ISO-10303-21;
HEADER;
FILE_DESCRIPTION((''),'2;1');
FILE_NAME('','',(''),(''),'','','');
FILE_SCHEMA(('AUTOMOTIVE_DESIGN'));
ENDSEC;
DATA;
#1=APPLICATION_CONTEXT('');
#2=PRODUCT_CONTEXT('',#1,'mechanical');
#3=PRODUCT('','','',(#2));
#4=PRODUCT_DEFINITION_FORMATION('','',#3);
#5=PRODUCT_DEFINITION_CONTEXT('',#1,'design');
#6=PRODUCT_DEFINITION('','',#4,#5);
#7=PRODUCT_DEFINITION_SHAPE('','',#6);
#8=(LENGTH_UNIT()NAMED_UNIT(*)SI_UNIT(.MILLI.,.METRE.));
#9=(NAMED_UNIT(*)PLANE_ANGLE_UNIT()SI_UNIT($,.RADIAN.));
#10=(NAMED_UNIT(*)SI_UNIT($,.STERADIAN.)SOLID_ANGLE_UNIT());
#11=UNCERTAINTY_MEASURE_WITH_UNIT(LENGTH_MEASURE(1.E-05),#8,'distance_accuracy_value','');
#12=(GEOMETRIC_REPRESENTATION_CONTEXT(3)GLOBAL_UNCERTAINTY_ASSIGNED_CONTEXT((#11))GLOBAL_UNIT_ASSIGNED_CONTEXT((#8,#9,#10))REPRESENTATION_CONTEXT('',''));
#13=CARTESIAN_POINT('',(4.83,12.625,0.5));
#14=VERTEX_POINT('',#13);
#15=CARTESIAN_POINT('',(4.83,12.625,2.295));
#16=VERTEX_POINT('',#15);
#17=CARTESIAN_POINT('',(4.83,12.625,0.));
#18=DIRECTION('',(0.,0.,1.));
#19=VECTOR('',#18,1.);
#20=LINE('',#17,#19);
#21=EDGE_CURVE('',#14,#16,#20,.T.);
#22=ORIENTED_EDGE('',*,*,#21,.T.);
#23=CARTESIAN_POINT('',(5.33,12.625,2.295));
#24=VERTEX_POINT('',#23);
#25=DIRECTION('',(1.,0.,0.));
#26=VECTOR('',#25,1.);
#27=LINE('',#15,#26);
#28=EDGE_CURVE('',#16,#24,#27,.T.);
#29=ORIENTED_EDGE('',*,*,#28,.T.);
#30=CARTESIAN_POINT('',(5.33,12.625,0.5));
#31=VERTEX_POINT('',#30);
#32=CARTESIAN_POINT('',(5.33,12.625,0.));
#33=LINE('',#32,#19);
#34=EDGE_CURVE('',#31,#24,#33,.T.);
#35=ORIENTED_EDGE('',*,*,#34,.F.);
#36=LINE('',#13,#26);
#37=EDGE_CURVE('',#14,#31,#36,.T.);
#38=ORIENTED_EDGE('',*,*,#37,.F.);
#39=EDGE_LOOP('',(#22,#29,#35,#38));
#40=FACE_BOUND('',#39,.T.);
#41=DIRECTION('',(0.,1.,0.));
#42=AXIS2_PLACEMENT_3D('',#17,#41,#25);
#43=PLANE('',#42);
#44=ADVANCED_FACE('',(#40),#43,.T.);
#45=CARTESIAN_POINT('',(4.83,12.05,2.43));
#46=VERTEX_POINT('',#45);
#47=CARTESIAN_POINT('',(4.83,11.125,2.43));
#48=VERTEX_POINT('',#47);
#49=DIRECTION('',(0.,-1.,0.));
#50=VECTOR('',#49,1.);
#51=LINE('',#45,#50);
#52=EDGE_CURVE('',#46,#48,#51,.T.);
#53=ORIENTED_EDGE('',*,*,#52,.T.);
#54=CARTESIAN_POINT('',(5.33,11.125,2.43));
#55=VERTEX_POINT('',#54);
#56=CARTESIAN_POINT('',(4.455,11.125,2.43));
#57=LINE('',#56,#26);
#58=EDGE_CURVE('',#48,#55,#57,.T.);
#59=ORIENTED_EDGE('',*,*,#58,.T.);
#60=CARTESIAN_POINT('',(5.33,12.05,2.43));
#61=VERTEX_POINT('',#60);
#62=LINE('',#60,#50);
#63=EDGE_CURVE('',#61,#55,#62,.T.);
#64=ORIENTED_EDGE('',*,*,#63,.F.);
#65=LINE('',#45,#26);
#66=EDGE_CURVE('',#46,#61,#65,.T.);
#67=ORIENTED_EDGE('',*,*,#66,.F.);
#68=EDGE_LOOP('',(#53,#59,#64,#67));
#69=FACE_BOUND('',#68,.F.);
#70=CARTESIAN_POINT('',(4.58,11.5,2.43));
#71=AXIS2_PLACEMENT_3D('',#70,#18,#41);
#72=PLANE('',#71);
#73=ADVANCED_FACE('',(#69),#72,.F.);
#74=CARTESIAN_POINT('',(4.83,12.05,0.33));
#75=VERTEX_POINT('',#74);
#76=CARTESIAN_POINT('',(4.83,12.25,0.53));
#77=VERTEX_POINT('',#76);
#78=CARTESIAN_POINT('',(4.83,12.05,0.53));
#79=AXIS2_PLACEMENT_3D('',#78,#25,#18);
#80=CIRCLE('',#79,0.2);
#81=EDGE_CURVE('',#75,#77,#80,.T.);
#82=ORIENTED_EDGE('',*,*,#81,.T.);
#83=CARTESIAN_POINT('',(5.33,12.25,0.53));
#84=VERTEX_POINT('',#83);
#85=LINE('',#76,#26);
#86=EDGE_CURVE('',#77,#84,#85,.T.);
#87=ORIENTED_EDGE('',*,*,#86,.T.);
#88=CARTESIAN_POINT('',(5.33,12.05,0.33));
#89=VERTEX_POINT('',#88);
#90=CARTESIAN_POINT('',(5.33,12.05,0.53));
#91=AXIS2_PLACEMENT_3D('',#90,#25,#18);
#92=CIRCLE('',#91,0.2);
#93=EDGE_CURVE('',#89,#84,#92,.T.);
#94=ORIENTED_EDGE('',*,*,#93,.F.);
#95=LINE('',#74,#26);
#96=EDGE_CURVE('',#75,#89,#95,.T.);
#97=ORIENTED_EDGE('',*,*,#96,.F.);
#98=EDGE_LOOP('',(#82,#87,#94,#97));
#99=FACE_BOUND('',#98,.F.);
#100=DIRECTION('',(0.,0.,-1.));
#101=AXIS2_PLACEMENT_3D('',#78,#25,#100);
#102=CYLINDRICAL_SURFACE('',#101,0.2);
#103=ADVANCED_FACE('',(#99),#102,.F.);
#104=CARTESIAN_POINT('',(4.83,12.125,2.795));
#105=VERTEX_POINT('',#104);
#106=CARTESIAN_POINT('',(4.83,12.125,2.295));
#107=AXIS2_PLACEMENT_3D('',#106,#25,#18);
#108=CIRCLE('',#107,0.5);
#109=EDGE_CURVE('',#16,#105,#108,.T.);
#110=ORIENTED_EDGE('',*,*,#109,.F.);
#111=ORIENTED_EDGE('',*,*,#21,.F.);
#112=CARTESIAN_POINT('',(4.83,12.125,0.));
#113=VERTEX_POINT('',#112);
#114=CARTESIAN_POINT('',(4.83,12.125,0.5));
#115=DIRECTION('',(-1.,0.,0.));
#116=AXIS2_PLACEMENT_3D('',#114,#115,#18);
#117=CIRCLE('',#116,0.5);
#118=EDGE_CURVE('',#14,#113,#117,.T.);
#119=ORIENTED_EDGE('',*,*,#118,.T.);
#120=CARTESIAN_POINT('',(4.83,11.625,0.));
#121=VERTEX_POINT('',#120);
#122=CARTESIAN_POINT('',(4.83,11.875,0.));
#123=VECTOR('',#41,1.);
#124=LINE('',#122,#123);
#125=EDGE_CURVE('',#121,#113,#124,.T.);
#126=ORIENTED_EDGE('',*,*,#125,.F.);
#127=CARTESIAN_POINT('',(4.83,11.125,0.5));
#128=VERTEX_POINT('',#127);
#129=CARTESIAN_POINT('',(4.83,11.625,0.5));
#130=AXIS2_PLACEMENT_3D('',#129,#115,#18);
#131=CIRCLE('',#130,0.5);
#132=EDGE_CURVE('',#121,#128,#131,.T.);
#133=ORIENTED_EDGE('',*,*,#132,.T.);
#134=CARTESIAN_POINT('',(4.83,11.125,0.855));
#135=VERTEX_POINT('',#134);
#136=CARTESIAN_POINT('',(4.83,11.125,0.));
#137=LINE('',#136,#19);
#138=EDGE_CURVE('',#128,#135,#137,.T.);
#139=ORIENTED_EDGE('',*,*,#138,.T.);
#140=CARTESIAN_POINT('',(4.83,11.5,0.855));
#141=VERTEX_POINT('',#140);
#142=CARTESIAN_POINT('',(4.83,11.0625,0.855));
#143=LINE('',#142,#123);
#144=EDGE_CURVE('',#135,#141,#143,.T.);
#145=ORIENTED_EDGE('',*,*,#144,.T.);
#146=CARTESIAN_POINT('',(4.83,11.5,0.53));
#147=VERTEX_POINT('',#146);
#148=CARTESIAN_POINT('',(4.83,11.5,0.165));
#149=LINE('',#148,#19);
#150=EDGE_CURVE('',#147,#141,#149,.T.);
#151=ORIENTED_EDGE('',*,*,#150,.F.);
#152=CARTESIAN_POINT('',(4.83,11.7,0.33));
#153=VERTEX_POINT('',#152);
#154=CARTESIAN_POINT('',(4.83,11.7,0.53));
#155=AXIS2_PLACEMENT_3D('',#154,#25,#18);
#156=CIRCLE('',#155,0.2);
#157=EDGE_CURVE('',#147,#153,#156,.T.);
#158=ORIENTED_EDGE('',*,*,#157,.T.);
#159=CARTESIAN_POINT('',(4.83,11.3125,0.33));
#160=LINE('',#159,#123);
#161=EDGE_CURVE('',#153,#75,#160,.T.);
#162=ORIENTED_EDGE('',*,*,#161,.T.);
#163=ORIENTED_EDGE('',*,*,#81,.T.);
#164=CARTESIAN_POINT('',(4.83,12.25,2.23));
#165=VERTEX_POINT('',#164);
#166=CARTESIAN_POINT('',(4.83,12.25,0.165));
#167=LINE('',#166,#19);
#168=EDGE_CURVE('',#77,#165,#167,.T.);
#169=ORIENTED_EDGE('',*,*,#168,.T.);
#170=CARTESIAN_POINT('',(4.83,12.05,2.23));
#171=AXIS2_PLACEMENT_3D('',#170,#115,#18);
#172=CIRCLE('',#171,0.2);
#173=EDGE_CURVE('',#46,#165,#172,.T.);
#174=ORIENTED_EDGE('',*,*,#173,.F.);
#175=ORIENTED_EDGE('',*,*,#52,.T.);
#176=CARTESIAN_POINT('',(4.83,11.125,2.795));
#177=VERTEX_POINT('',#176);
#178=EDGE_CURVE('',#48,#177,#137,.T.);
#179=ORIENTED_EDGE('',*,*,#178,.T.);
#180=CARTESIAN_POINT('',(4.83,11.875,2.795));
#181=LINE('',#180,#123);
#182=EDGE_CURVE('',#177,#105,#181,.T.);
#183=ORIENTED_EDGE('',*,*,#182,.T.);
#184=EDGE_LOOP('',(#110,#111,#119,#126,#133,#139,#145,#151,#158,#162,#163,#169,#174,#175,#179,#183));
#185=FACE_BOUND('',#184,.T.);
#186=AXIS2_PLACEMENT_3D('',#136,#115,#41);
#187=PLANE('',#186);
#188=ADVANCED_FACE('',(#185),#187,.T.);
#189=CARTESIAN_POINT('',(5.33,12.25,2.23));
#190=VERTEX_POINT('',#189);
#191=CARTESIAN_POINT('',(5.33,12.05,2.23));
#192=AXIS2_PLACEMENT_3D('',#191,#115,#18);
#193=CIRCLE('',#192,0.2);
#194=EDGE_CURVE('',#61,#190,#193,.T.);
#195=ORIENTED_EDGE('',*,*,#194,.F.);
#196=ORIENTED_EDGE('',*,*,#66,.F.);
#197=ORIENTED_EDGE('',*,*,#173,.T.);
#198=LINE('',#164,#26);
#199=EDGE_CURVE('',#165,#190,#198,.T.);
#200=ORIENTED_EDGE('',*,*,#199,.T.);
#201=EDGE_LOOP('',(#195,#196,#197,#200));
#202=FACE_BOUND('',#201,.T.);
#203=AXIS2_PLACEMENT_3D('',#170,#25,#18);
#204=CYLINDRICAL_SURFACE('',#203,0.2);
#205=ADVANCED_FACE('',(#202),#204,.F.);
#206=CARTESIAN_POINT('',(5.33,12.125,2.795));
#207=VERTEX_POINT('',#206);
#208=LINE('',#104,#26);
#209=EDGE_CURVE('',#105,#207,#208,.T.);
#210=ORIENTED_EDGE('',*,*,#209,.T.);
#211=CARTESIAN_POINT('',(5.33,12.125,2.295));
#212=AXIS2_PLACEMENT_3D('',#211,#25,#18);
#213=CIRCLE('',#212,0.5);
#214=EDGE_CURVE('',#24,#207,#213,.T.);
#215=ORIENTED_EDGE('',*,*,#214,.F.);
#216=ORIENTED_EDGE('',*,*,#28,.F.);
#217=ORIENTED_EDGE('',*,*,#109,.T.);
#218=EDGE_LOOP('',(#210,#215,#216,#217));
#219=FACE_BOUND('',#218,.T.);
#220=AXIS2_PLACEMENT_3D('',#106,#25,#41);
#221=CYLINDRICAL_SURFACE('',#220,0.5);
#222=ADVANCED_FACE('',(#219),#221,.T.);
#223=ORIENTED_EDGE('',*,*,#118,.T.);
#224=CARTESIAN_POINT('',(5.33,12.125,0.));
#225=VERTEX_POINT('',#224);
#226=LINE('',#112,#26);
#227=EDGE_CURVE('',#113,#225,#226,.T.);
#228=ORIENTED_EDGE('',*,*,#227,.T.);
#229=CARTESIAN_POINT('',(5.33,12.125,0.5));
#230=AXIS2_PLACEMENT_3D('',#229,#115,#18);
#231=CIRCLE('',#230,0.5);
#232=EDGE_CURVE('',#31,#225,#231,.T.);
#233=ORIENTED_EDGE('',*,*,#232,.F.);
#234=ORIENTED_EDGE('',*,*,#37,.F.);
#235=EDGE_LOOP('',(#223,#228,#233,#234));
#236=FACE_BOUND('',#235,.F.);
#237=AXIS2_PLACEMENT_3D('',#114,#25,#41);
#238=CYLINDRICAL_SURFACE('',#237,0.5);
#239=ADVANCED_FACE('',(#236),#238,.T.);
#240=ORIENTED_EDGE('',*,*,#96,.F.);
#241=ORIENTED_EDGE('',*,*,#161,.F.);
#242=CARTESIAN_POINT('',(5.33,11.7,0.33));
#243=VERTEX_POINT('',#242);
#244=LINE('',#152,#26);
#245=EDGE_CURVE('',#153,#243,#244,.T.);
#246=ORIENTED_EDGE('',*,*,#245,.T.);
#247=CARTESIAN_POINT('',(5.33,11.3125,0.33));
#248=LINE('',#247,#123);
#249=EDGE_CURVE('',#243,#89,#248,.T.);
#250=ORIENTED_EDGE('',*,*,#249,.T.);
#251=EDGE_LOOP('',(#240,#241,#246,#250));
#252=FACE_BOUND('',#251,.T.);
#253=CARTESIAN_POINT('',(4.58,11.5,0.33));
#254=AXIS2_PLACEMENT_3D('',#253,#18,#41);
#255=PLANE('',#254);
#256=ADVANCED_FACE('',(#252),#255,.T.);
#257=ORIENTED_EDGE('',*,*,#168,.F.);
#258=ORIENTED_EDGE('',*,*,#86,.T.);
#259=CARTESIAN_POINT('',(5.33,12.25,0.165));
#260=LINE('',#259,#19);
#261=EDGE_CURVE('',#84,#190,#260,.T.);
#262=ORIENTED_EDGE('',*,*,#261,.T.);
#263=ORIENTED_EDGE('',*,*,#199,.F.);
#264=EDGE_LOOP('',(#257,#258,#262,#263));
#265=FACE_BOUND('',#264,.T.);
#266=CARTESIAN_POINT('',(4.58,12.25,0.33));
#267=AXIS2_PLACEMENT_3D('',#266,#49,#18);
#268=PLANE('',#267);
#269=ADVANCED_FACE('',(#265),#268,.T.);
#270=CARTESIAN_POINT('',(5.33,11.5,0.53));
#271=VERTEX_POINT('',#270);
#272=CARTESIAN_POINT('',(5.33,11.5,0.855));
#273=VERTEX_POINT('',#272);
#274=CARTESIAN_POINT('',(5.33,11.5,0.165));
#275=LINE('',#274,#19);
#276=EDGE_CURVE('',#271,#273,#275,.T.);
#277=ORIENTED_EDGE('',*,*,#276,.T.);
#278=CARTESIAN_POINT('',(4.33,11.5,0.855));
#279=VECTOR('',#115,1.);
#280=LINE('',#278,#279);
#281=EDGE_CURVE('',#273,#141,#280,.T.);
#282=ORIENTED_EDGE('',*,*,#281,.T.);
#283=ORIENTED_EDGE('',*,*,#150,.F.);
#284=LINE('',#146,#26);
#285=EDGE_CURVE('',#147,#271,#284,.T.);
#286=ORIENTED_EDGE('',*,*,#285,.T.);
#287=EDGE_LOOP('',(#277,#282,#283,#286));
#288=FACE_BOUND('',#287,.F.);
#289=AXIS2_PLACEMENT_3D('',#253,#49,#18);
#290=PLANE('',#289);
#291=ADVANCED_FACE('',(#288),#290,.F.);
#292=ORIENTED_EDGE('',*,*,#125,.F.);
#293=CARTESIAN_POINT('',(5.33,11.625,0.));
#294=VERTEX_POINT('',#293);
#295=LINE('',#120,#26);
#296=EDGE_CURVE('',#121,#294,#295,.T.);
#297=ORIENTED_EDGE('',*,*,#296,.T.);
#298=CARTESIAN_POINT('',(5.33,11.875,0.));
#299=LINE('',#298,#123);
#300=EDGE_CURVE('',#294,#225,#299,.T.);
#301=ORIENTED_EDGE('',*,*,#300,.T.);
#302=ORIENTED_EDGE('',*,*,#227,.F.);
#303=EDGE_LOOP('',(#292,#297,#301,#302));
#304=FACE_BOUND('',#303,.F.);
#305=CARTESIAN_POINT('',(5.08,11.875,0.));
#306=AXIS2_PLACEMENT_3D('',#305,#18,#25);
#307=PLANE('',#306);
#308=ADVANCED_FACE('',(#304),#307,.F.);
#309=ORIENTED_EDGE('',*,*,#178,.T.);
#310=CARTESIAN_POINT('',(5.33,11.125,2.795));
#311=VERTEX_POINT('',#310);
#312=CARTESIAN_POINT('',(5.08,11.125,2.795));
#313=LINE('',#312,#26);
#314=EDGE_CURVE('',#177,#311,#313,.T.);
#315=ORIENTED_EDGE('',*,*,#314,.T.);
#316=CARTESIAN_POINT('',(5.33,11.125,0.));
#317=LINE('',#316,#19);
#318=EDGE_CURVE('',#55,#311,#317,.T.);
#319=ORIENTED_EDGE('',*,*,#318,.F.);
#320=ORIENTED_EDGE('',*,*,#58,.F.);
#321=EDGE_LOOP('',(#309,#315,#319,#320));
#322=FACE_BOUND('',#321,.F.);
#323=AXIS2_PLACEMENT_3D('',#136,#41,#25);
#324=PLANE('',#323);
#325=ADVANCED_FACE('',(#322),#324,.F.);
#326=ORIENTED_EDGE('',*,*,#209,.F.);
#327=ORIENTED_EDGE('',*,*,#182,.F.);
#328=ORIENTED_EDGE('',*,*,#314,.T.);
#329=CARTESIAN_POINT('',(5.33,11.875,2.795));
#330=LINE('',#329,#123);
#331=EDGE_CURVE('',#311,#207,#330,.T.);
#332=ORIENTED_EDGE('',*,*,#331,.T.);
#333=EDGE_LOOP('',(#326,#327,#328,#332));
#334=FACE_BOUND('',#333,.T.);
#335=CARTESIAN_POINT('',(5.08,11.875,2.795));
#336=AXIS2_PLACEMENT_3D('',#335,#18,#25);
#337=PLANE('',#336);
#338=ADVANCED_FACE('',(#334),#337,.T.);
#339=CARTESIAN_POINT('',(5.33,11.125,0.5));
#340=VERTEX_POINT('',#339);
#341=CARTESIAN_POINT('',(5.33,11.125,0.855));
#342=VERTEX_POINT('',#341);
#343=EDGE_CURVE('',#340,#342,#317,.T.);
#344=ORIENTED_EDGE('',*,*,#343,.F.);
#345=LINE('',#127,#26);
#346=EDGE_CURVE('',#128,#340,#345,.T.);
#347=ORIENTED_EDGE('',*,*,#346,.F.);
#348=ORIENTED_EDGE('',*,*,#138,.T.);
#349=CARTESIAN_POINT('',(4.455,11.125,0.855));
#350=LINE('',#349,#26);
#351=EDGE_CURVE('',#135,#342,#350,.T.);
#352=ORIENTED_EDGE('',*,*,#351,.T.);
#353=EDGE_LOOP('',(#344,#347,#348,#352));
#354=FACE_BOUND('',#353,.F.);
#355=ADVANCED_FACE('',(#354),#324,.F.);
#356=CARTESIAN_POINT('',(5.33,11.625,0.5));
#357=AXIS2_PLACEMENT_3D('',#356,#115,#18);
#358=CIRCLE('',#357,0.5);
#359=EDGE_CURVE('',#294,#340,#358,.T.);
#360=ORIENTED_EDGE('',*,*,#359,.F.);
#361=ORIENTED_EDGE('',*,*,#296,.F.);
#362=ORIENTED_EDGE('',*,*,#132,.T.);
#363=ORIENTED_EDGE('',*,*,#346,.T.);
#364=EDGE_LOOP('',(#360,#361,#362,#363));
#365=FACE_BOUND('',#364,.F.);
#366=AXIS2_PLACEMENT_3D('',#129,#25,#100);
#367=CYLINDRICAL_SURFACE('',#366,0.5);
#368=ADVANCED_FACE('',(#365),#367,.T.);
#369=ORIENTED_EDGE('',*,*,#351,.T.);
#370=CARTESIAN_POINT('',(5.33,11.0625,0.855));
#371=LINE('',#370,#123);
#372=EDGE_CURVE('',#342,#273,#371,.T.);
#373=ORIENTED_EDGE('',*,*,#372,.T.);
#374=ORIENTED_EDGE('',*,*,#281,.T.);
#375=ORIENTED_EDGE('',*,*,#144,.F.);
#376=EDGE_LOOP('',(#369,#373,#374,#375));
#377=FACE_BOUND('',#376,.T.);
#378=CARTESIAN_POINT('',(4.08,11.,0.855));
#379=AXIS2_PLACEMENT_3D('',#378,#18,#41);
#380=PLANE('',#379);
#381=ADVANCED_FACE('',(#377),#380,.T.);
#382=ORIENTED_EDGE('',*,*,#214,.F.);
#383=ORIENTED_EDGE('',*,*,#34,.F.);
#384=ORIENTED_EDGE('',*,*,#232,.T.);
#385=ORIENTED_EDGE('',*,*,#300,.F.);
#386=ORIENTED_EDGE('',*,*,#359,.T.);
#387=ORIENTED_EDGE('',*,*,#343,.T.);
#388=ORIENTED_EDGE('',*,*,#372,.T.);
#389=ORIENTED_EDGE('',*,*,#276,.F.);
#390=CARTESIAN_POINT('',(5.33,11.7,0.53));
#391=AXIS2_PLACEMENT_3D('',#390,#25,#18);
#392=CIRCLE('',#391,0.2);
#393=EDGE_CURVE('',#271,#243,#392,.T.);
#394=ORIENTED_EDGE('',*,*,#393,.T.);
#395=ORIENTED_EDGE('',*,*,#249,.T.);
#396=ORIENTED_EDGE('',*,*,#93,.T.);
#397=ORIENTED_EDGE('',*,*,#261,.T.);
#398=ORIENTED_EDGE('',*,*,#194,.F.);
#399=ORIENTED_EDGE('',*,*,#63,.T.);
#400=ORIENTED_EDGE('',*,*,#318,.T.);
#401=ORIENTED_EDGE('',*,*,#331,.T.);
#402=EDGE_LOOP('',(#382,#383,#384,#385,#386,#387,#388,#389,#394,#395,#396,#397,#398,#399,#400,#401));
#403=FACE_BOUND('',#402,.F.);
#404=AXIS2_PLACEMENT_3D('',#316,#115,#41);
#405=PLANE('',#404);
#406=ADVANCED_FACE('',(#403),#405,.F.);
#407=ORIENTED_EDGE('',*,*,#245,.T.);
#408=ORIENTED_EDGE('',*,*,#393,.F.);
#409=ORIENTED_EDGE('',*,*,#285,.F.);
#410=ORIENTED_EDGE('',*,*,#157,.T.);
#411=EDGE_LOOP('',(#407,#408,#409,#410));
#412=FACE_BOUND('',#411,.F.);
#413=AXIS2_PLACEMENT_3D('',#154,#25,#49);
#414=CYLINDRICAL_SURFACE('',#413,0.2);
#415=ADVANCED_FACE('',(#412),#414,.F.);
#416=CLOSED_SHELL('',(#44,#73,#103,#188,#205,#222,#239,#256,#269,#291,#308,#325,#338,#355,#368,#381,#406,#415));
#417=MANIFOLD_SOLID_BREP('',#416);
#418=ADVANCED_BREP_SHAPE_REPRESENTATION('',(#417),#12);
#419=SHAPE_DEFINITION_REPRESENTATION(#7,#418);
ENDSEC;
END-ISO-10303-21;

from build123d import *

# Parameters (mm, degrees)
BOX071_W     = 0.5
BOX071_H     = 1.5
BOX071_DEPTH = 2.795
FILLET129_R  = 0.5
FILLET138_R  = 0.5
FILLET125_R  = 0.5
BOX073_W     = 0.75
BOX073_H     = 2.1
BOX073_DEPTH = 1
FILLET121_R  = 0.2
FILLET130_R  = 0.2
FILLET120_R  = 0.2
FILLET122_R  = 0.2
BOX076_W     = 1
BOX076_H     = 1.575
BOX076_DEPTH = 3


with BuildPart() as part:
    # Box071 → Box071 (join)
    with BuildSketch(Plane(origin=(-0.25, 11.125, 0), x_dir=(1, 0, 0), z_dir=(0, 0, 1))):
        with Locations((0.25, 0.75)):
            Rectangle(BOX071_W, BOX071_H)
    extrude(amount=BOX071_DEPTH)

    # Fillet129
    fillet129_edges = [part.edges().sort_by_distance(p)[0] for p in [
        (0, 12.625, 0),
    ]]
    fillet(fillet129_edges, radius=FILLET129_R)

    # Fillet138
    fillet138_edges = [part.edges().sort_by_distance(p)[0] for p in [
        (0, 12.625, 2.795),
    ]]
    fillet(fillet138_edges, radius=FILLET138_R)

    # Fillet125
    fillet125_edges = [part.edges().sort_by_distance(p)[0] for p in [
        (0, 11.125, 0),
    ]]
    fillet(fillet125_edges, radius=FILLET125_R)

    # Box073 → Box073 (cut)
    with BuildSketch(Plane(origin=(-0.5, 11.5, 0.33), x_dir=(0, 1, 0), z_dir=(1, 0, 0))):
        with Locations((0.375, 1.05)):
            Rectangle(BOX073_W, BOX073_H)
    extrude(amount=BOX073_DEPTH, mode=Mode.SUBTRACT)

    # Fillet121
    fillet121_edges = [part.edges().sort_by_distance(p)[0] for p in [
        (0, 11.5, 0.33),
    ]]
    fillet(fillet121_edges, radius=FILLET121_R)

    # Fillet130
    fillet130_edges = [part.edges().sort_by_distance(p)[0] for p in [
        (0, 12.25, 0.33),
    ]]
    fillet(fillet130_edges, radius=FILLET130_R)

    # Fillet120
    fillet120_edges = [part.edges().sort_by_distance(p)[0] for p in [
        (0, 11.5, 2.43),
    ]]
    fillet(fillet120_edges, radius=FILLET120_R)

    # Fillet122
    fillet122_edges = [part.edges().sort_by_distance(p)[0] for p in [
        (0, 12.25, 2.43),
    ]]
    fillet(fillet122_edges, radius=FILLET122_R)

    # Box076 → Box076 (cut)
    with BuildSketch(Plane(origin=(-1, 11, 0.855), x_dir=(0, 1, 0), z_dir=(1, 0, 0))):
        with Locations((0.5, 0.7875)):
            Rectangle(BOX076_W, BOX076_H)
    extrude(amount=BOX076_DEPTH, mode=Mode.SUBTRACT)


with BuildPart() as part_1:
    # Body018 placement: moved
    add(part.part.moved(Location((5.08, 0, 0))))


solid = part_1.part
